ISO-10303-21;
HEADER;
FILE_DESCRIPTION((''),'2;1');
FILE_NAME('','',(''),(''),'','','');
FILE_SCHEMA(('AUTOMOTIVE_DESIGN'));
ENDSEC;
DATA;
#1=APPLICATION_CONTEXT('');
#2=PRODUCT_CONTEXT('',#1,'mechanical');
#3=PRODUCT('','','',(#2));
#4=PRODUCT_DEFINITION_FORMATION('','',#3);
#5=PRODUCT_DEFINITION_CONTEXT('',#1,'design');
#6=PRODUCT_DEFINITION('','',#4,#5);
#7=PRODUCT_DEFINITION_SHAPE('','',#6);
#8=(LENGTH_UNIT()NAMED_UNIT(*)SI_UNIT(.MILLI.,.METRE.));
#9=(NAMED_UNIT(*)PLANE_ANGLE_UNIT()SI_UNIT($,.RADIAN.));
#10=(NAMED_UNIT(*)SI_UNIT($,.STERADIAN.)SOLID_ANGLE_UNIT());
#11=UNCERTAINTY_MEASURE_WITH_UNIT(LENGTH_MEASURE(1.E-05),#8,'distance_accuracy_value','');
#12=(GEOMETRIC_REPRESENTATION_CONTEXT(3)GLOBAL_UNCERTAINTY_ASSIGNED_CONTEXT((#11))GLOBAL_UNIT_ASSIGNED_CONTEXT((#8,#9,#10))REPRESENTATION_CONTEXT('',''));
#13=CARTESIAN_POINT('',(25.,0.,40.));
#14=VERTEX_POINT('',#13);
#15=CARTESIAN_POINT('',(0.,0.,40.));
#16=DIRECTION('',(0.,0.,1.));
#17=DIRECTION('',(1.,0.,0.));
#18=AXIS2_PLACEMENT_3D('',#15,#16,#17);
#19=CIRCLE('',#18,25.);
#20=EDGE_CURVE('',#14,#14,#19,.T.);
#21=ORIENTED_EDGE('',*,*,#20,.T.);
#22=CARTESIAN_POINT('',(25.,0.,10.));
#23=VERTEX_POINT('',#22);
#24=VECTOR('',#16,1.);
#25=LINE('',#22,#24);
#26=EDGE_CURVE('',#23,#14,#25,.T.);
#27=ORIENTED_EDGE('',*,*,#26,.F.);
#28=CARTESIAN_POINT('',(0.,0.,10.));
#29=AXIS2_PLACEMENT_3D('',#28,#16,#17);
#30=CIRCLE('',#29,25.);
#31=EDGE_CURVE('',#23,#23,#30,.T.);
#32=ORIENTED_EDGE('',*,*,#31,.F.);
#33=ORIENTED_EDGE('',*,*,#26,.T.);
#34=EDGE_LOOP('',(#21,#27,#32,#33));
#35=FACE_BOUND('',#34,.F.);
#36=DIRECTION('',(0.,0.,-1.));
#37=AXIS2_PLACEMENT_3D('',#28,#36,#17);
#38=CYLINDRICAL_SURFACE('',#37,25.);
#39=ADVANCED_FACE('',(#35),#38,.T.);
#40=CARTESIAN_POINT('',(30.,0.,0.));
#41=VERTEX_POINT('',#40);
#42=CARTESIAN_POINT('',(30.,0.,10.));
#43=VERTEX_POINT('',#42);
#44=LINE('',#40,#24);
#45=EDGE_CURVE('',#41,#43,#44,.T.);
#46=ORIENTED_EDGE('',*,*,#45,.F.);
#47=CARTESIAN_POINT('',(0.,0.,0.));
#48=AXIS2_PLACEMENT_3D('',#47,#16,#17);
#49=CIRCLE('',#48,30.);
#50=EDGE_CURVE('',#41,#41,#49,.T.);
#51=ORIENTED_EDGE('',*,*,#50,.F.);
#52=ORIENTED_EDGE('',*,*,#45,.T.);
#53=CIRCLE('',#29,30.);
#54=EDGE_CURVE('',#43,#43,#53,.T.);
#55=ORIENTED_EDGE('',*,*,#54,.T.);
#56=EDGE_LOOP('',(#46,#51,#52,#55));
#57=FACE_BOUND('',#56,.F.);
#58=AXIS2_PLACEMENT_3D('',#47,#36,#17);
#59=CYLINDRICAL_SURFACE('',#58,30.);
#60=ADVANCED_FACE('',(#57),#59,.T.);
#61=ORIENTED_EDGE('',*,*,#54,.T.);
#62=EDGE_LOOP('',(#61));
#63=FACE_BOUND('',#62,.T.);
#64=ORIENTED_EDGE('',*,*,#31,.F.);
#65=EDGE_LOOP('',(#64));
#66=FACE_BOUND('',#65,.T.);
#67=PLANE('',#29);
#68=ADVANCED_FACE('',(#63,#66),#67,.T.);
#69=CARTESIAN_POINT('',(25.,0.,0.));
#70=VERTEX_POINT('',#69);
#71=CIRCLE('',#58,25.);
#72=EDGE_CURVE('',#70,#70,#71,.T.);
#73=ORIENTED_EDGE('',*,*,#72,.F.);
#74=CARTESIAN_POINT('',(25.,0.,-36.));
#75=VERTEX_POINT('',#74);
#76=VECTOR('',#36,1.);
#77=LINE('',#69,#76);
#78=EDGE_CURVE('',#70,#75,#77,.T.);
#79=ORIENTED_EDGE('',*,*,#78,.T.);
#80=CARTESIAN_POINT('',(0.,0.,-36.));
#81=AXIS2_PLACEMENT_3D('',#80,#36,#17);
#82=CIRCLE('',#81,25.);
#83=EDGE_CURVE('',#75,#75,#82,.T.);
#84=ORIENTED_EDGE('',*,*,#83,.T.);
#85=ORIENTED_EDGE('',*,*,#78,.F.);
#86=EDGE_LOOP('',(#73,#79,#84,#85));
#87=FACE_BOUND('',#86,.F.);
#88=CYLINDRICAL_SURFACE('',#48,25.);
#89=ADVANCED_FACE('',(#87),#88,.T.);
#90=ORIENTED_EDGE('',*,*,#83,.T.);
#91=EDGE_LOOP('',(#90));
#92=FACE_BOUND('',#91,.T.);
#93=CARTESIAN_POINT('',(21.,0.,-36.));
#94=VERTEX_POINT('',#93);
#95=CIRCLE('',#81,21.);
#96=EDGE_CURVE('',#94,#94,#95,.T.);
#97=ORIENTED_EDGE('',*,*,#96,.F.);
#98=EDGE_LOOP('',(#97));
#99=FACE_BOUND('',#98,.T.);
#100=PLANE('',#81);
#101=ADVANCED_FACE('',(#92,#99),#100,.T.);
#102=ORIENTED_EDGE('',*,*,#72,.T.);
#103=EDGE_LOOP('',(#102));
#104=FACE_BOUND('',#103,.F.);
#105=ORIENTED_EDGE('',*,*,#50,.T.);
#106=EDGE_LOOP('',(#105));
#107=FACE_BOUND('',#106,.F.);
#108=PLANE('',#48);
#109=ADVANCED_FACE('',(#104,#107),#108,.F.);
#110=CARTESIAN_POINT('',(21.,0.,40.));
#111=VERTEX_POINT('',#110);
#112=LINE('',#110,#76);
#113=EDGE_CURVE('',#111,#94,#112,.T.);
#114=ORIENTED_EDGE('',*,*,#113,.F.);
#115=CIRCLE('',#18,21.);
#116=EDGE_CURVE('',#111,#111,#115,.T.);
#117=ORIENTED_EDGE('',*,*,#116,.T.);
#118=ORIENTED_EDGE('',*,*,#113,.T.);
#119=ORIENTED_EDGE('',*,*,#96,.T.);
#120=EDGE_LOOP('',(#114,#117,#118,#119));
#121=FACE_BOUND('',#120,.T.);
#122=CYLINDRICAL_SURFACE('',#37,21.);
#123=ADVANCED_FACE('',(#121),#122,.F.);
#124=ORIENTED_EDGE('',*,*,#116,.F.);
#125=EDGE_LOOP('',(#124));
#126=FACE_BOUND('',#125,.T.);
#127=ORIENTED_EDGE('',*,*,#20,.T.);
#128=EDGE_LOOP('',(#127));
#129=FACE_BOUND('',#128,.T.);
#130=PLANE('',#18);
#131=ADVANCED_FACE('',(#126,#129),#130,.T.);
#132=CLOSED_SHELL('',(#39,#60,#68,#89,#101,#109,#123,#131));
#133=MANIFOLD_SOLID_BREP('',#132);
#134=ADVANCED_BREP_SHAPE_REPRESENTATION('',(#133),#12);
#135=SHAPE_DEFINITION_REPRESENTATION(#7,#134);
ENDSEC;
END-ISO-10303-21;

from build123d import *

# Parameters (mm, degrees)
SKETCH_R      = 30
SKETCH_R_2    = 21
PAD_DEPTH     = 10
SKETCH001_R   = 25
SKETCH001_R_2 = 21
PAD001_DEPTH  = 36
SKETCH002_R   = 25
SKETCH002_R_2 = 21
PAD002_DEPTH  = 30


with BuildPart() as part:
    # Sketch → Pad (new body)
    with BuildSketch(Plane.XY):
        Circle(SKETCH_R)
        Circle(SKETCH_R_2, mode=Mode.SUBTRACT)
    extrude(amount=PAD_DEPTH)

    # Sketch001 (on Face3 of Pad) → Pad001 (join)
    with BuildSketch(Plane(origin=(0, 0, 0), x_dir=(1, 0, 0), z_dir=(0, 0, -1))):
        Circle(SKETCH001_R)
        Circle(SKETCH001_R_2, mode=Mode.SUBTRACT)
    extrude(amount=PAD001_DEPTH)

    # Sketch002 (on Face3 of Pad001) → Pad002 (join)
    with BuildSketch(Plane.XY.offset(10)):
        Circle(SKETCH002_R)
        Circle(SKETCH002_R_2, mode=Mode.SUBTRACT)
    extrude(amount=PAD002_DEPTH)


solid = part.part
